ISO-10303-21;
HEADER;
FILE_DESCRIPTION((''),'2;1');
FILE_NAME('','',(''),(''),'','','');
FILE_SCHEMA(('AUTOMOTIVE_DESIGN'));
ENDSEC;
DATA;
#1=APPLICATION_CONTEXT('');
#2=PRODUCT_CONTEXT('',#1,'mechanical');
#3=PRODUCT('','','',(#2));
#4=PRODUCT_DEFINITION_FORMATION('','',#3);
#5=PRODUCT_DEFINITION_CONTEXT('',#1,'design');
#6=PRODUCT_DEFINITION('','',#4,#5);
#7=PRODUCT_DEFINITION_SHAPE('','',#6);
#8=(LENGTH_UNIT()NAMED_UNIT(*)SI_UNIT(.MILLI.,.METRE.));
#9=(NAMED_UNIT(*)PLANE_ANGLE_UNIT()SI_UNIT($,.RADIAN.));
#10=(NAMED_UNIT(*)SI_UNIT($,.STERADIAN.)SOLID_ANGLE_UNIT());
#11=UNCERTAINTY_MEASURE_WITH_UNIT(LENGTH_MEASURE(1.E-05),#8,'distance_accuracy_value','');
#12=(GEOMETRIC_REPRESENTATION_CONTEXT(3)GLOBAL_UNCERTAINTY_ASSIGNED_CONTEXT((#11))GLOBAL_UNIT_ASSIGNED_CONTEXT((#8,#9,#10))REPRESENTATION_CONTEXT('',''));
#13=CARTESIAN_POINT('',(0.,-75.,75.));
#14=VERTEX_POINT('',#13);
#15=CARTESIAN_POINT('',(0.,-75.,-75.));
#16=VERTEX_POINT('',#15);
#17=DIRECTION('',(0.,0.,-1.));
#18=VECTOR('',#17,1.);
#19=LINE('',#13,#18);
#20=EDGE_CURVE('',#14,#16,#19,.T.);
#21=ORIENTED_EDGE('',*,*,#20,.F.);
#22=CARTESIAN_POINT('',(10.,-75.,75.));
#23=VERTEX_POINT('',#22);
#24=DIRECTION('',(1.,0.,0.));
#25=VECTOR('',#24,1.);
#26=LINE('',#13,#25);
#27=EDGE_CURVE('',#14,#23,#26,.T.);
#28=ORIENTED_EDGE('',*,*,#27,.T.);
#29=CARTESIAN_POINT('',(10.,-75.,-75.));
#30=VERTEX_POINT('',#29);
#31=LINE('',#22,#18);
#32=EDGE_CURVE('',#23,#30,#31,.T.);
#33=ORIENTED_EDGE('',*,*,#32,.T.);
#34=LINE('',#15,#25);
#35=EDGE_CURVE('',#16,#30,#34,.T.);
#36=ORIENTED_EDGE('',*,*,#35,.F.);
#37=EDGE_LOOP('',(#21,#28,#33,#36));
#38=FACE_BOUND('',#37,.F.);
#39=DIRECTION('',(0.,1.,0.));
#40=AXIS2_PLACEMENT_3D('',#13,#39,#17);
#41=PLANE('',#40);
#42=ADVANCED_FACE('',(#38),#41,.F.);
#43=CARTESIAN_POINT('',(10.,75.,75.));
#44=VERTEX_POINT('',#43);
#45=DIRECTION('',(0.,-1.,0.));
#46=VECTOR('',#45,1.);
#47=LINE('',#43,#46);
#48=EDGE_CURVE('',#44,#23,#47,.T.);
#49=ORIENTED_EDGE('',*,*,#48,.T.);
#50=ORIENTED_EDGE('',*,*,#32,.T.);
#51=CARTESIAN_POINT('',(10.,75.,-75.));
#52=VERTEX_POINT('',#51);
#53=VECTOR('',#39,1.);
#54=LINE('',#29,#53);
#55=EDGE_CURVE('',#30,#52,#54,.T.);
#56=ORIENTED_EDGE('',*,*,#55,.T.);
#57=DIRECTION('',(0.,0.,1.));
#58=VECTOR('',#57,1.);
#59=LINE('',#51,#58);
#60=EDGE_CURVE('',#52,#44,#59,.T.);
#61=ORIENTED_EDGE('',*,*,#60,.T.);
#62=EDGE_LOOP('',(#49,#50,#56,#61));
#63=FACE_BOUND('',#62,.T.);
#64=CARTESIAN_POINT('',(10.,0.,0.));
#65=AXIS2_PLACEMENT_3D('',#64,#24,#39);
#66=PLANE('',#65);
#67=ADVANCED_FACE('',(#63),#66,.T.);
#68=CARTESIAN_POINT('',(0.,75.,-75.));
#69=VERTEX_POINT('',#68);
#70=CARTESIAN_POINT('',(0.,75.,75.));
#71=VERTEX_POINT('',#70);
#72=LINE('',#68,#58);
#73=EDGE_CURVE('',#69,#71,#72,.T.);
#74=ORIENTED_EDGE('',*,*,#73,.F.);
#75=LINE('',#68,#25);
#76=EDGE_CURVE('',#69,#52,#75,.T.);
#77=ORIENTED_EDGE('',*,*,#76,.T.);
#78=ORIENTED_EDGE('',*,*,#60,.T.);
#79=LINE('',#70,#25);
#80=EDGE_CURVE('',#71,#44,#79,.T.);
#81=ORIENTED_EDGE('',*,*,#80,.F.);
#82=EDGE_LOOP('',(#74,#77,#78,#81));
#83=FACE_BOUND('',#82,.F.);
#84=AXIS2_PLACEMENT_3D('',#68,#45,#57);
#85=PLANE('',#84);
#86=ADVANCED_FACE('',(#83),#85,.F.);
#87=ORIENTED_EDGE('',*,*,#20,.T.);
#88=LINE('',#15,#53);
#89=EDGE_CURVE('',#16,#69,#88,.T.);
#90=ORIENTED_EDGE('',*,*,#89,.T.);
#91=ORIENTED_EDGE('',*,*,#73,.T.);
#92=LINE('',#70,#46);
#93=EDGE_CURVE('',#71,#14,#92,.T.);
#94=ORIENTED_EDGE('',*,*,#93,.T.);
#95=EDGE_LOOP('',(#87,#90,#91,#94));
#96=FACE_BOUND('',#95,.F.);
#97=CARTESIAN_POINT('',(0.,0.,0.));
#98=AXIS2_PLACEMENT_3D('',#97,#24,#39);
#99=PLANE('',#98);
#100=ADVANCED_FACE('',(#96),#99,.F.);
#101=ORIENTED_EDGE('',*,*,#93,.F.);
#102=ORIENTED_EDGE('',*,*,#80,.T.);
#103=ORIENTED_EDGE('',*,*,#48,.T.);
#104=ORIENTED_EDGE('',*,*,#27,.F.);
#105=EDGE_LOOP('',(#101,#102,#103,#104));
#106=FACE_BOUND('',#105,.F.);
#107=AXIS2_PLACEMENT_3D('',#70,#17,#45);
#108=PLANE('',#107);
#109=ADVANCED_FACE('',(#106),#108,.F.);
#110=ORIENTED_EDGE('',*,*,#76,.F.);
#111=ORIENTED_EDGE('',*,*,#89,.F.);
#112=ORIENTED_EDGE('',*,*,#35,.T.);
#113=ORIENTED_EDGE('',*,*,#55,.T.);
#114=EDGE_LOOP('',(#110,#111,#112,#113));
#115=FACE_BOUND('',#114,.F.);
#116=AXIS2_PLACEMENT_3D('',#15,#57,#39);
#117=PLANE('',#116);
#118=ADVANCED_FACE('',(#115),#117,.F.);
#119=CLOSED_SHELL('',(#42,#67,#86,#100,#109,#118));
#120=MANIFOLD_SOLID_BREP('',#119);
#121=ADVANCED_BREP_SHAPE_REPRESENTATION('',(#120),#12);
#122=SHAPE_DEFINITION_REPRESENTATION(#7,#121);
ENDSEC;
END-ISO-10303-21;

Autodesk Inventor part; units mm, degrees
ref_plane "YZ Plane" through (0, 0, 0) normal (1, 0, 0) x (0, 1, 0)
ref_plane "XZ Plane" through (0, 0, 0) normal (0, 1, 0) x (-1, 0, 0)
ref_plane "XY Plane" through (0, 0, 0) normal (0, 0, 1) x (1, 0, 0)
sketch "Sketch1" plane through (0, 0, 0) normal (1, 0, 0) x (0, 1, 0)
  line L0 (75, 75) -> (-75, 75)
  line L1 (-75, 75) -> (-75, -75)
  line L2 (-75, -75) -> (75, -75)
  line L3 (75, -75) -> (75, 75)
  line L4 (75, 75) -> (-75, -75) construction
  line L5 (-75, 75) -> (75, -75) construction
  point P0 (0, 0)
  dimension "d0" = 150
  dimension "d1" = 150
extrude "Extrusion1" add sketch "Sketch1" along normal blind 10
